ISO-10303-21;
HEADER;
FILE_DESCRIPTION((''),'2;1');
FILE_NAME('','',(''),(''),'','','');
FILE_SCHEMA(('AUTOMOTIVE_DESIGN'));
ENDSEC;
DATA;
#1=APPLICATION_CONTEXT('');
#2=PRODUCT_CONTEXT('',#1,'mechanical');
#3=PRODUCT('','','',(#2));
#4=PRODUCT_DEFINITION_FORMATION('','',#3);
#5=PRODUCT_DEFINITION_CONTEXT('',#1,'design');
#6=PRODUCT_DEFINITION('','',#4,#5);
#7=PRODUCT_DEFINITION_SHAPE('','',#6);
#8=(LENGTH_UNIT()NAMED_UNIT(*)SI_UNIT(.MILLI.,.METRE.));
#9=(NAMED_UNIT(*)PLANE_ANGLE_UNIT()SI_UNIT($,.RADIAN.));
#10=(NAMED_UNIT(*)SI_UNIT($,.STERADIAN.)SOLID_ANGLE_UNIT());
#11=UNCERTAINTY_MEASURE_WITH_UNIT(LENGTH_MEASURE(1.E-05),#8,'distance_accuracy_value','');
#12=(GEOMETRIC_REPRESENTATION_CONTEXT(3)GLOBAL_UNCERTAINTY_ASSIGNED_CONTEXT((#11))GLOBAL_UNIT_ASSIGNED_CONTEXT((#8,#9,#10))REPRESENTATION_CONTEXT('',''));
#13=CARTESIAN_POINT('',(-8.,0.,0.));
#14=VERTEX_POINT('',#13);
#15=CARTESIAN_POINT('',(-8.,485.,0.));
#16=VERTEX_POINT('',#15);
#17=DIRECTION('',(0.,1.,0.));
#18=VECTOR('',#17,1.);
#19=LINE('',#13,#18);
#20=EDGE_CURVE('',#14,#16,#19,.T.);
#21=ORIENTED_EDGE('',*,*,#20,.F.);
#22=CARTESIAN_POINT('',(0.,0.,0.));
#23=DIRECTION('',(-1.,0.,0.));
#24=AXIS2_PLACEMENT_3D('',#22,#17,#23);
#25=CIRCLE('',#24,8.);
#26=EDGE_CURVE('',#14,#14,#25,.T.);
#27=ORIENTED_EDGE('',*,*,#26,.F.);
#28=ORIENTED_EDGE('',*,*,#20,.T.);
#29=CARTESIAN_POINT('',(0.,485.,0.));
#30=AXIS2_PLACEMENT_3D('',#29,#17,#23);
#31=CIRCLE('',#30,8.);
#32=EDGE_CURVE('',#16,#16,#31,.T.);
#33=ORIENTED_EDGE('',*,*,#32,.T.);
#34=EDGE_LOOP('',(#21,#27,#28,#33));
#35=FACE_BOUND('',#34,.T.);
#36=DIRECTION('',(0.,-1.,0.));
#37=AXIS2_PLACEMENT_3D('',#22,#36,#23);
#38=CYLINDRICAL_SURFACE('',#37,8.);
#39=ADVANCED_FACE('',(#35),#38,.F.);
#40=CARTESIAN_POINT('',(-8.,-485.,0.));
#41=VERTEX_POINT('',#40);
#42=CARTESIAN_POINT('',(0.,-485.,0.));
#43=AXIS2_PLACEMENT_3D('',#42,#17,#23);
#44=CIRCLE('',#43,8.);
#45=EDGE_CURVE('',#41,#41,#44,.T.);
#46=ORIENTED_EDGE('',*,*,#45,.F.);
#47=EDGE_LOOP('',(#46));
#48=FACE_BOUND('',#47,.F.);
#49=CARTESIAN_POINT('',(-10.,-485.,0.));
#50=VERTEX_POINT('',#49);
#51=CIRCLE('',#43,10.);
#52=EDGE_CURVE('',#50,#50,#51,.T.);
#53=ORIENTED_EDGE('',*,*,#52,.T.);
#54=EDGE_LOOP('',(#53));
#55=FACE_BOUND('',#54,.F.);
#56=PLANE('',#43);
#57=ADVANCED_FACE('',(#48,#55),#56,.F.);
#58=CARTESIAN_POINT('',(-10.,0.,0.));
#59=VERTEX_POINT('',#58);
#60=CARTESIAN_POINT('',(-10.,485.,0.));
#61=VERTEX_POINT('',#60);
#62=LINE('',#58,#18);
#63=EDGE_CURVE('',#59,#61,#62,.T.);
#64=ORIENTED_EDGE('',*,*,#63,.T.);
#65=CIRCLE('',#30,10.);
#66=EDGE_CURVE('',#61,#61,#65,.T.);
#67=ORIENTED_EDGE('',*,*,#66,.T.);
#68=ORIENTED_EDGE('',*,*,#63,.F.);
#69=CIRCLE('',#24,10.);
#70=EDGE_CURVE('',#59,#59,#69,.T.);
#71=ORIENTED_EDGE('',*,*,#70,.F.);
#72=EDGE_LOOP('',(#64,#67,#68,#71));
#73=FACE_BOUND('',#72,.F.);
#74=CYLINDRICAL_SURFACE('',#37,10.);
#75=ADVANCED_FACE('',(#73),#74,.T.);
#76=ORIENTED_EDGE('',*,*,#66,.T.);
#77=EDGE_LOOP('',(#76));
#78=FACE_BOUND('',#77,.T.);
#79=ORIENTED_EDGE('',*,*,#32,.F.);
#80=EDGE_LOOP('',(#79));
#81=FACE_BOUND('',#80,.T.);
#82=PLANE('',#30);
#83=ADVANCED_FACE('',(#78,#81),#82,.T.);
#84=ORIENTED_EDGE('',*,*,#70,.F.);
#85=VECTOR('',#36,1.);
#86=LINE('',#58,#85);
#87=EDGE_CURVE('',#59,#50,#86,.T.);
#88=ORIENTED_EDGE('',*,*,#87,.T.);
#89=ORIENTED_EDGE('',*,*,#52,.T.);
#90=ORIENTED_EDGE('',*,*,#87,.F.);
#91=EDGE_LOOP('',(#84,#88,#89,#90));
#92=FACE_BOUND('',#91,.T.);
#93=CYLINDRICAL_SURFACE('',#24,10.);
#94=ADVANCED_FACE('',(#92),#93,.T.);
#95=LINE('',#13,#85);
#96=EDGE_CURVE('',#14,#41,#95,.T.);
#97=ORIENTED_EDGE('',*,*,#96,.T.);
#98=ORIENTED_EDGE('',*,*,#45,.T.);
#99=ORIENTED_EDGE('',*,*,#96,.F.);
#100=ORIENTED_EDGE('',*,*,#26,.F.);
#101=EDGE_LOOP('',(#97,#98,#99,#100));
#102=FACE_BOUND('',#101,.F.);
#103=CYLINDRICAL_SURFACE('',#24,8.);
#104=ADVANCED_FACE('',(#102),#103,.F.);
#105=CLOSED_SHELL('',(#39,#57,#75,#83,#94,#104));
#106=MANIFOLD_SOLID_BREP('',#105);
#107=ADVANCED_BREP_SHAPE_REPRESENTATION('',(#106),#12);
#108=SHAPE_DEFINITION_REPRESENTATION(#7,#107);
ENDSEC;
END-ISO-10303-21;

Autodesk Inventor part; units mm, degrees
ref_plane "YZ Plane" through (0, 0, 0) normal (1, 0, 0) x (0, 1, 0)
ref_plane "XZ Plane" through (0, 0, 0) normal (0, 1, 0) x (-1, 0, 0)
ref_plane "XY Plane" through (0, 0, 0) normal (0, 0, 1) x (1, 0, 0)
sketch "スケッチ1" plane through (0, 0, 0) normal (0, 1, 0) x (-1, 0, 0)
  circle A0 centre (0, 0) radius 10
  circle A1 centre (0, 0) radius 8
  dimension "d0" = 2
  dimension "d1" = 20
extrude "押し出し1" add sketch "スケッチ1" along normal mid plane 970
properties part number "carbon_pipe_φ20" material "アルミニウム 6061"
